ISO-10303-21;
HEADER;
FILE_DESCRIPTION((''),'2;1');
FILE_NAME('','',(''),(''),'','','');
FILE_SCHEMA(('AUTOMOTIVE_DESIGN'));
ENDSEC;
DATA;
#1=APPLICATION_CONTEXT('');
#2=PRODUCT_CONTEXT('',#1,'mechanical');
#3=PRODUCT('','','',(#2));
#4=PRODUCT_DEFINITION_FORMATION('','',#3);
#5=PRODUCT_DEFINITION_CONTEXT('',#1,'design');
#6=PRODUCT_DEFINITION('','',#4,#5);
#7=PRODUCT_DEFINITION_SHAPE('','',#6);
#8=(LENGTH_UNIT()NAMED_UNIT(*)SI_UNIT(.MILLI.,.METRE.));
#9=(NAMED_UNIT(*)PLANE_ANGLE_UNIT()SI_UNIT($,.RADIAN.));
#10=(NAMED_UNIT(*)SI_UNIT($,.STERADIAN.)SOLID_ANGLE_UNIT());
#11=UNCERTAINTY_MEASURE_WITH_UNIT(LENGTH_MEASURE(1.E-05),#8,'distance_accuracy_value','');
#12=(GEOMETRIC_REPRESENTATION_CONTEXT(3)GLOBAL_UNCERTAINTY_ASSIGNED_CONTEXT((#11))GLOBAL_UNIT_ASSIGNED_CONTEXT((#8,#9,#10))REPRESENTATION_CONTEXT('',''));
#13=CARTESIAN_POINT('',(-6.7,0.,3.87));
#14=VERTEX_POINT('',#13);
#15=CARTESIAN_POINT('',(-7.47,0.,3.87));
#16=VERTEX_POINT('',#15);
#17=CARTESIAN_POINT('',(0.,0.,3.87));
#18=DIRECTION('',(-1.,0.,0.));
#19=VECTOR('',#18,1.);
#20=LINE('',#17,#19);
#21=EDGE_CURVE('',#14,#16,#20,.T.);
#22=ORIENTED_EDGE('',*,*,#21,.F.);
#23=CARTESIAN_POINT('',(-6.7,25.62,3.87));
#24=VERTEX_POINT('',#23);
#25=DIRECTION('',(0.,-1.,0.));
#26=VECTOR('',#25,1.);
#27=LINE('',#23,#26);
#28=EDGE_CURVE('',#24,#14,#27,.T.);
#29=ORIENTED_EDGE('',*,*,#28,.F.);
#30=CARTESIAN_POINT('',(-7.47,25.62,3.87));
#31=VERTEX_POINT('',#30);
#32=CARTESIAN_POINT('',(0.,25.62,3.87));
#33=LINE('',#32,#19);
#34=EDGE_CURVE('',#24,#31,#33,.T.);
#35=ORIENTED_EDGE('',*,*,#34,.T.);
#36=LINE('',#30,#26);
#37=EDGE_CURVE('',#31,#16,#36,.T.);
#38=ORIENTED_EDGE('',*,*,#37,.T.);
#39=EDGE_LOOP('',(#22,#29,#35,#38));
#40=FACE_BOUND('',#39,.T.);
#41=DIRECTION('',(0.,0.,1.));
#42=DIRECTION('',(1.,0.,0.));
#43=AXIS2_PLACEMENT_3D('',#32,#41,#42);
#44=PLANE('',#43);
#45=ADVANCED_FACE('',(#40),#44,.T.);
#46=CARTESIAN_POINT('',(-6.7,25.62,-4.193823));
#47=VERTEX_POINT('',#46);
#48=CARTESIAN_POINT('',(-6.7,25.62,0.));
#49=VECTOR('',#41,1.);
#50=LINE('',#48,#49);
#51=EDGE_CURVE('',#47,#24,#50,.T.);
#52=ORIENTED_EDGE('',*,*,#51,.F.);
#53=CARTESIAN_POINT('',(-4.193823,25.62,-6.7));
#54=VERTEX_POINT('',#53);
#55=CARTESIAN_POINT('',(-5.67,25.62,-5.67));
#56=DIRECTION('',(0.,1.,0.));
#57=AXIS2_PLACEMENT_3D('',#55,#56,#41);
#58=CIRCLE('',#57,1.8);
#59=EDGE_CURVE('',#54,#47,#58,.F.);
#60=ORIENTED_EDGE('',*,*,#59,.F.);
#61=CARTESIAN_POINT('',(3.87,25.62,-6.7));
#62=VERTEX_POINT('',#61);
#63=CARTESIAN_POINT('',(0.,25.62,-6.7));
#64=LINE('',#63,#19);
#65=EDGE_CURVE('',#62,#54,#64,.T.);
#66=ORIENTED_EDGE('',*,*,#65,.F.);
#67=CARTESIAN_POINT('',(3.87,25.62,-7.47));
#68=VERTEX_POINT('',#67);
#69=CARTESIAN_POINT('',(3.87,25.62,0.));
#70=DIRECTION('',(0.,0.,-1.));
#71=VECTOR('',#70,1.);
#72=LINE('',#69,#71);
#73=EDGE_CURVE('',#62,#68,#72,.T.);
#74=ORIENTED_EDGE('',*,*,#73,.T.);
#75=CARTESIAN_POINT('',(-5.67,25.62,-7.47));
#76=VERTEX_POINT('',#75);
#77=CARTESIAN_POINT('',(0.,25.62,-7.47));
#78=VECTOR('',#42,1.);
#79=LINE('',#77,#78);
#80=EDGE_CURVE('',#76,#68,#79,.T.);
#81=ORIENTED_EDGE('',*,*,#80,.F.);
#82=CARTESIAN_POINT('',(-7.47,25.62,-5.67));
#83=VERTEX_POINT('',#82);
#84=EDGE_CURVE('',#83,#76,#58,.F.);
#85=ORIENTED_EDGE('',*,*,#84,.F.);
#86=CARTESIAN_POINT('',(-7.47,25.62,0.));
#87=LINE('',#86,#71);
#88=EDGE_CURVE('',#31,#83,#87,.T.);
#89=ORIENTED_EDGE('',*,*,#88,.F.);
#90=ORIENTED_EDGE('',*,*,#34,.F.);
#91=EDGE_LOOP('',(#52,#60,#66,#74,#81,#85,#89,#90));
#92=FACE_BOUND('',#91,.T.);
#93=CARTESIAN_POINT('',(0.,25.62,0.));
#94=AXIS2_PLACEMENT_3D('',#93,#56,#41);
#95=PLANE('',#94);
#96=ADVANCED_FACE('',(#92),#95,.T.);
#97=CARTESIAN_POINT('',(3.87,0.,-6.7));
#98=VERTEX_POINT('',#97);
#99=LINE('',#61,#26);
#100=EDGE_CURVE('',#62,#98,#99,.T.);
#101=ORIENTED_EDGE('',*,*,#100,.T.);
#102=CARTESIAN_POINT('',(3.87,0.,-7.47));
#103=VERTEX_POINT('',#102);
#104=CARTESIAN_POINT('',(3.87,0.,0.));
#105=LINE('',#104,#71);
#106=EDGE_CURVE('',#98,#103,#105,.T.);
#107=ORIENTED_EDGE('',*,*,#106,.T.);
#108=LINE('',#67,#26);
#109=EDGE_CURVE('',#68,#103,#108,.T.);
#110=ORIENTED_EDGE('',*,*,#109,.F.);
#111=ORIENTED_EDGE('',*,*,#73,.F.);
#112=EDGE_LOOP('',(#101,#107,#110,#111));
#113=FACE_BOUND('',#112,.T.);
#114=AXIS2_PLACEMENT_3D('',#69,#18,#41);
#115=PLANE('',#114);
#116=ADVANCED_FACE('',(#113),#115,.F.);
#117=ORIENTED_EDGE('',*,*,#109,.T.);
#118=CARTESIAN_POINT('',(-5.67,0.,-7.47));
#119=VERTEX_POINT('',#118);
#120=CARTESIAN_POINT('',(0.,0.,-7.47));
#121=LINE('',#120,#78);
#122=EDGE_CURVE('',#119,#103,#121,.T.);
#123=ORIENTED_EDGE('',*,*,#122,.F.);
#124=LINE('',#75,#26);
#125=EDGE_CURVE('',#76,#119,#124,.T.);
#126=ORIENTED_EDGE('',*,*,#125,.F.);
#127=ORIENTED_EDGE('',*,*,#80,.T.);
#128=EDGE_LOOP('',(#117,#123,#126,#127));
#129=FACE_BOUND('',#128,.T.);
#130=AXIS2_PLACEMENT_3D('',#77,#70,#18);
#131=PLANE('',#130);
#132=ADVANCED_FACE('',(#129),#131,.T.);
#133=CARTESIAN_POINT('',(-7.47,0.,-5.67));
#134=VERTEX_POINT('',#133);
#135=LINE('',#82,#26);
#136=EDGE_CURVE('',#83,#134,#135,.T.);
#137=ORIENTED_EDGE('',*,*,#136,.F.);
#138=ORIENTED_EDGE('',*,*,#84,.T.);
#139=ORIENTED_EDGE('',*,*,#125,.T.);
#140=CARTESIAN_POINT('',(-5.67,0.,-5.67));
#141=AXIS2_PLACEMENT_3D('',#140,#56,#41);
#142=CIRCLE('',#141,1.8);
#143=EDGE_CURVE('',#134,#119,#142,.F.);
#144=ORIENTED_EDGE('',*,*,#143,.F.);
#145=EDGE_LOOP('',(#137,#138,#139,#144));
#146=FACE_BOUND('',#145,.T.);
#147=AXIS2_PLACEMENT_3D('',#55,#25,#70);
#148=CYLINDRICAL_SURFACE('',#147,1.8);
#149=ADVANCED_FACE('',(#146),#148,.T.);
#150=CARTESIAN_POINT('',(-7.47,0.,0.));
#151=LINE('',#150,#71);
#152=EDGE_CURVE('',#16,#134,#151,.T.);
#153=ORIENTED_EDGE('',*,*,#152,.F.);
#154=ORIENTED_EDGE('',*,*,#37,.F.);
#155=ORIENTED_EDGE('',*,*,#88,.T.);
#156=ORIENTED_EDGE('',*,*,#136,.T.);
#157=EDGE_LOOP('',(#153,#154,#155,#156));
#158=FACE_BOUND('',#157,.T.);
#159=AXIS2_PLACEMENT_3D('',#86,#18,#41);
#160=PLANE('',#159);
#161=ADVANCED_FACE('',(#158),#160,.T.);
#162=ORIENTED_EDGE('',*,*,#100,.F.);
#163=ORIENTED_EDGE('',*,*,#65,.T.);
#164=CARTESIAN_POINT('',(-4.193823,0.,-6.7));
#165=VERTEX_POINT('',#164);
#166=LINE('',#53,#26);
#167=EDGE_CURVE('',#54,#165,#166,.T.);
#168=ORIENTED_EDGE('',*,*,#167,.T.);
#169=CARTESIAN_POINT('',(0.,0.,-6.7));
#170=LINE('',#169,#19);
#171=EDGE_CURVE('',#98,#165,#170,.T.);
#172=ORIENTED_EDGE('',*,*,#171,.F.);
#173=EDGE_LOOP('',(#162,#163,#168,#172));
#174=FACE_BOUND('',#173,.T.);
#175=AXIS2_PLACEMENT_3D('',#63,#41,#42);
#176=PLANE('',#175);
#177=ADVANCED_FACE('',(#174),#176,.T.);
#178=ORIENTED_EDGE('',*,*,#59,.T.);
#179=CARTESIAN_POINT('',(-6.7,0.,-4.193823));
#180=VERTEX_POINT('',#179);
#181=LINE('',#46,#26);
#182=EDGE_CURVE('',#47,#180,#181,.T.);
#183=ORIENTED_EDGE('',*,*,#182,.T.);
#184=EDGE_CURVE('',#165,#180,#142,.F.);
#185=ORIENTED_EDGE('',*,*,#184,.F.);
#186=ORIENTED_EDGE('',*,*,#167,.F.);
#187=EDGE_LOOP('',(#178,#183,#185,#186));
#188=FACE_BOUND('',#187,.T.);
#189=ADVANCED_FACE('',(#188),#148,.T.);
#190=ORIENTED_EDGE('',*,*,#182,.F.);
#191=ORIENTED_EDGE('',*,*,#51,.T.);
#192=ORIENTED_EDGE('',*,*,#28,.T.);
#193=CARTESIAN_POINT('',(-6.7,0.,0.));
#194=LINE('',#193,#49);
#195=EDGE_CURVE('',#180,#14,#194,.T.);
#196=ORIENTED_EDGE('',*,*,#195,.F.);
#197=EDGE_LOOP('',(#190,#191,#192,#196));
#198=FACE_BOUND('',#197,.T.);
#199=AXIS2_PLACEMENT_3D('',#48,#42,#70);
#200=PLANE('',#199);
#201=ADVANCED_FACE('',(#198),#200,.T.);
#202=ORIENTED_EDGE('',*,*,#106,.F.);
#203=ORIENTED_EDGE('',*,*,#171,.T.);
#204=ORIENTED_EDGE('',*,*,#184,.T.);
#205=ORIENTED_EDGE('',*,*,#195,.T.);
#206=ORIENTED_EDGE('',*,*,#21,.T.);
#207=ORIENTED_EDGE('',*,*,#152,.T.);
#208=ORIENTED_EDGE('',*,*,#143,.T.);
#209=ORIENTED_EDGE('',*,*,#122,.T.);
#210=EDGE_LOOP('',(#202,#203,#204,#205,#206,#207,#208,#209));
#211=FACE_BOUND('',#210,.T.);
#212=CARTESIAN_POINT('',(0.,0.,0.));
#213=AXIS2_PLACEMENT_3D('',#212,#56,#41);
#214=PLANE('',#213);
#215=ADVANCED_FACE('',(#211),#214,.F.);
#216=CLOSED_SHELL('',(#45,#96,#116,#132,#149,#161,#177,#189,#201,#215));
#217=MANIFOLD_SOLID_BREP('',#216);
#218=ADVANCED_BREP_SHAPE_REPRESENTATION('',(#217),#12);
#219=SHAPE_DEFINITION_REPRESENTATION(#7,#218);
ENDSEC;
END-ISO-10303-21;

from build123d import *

# Parameters (mm, degrees)
BOSS_EXTRUDE2_DEPTH = 25.62


with BuildPart() as part:
    # Sketch3 → Boss-Extrude2 (new body)
    with BuildSketch(Plane(origin=(0, 0, 0), x_dir=(1, 0, 0), z_dir=(0, 1, 0))):
        with BuildLine():
            ThreePointArc((-4.193822504, 6.7), (-4.397207794, 4.397207794), (-6.7, 4.193822504))
            Line((-6.7, 4.193822504), (-6.7, 3.87))
            Line((-6.7, 3.87), (-6.7, -3.87))
            Line((-6.7, -3.87), (-7.47, -3.87))
            Line((-7.47, -3.87), (-7.47, 3.87))
            Line((-7.47, 3.87), (-7.47, 5.67))
            ThreePointArc((-7.47, 5.67), (-6.942792206, 6.942792206), (-5.67, 7.47))
            Line((-5.67, 7.47), (-3.87, 7.47))
            Line((-3.87, 7.47), (3.87, 7.47))
            Line((3.87, 7.47), (3.87, 6.7))
            Line((3.87, 6.7), (-3.87, 6.7))
            Line((-3.87, 6.7), (-4.193822504, 6.7))
        make_face()
    extrude(amount=BOSS_EXTRUDE2_DEPTH)


solid = part.part
